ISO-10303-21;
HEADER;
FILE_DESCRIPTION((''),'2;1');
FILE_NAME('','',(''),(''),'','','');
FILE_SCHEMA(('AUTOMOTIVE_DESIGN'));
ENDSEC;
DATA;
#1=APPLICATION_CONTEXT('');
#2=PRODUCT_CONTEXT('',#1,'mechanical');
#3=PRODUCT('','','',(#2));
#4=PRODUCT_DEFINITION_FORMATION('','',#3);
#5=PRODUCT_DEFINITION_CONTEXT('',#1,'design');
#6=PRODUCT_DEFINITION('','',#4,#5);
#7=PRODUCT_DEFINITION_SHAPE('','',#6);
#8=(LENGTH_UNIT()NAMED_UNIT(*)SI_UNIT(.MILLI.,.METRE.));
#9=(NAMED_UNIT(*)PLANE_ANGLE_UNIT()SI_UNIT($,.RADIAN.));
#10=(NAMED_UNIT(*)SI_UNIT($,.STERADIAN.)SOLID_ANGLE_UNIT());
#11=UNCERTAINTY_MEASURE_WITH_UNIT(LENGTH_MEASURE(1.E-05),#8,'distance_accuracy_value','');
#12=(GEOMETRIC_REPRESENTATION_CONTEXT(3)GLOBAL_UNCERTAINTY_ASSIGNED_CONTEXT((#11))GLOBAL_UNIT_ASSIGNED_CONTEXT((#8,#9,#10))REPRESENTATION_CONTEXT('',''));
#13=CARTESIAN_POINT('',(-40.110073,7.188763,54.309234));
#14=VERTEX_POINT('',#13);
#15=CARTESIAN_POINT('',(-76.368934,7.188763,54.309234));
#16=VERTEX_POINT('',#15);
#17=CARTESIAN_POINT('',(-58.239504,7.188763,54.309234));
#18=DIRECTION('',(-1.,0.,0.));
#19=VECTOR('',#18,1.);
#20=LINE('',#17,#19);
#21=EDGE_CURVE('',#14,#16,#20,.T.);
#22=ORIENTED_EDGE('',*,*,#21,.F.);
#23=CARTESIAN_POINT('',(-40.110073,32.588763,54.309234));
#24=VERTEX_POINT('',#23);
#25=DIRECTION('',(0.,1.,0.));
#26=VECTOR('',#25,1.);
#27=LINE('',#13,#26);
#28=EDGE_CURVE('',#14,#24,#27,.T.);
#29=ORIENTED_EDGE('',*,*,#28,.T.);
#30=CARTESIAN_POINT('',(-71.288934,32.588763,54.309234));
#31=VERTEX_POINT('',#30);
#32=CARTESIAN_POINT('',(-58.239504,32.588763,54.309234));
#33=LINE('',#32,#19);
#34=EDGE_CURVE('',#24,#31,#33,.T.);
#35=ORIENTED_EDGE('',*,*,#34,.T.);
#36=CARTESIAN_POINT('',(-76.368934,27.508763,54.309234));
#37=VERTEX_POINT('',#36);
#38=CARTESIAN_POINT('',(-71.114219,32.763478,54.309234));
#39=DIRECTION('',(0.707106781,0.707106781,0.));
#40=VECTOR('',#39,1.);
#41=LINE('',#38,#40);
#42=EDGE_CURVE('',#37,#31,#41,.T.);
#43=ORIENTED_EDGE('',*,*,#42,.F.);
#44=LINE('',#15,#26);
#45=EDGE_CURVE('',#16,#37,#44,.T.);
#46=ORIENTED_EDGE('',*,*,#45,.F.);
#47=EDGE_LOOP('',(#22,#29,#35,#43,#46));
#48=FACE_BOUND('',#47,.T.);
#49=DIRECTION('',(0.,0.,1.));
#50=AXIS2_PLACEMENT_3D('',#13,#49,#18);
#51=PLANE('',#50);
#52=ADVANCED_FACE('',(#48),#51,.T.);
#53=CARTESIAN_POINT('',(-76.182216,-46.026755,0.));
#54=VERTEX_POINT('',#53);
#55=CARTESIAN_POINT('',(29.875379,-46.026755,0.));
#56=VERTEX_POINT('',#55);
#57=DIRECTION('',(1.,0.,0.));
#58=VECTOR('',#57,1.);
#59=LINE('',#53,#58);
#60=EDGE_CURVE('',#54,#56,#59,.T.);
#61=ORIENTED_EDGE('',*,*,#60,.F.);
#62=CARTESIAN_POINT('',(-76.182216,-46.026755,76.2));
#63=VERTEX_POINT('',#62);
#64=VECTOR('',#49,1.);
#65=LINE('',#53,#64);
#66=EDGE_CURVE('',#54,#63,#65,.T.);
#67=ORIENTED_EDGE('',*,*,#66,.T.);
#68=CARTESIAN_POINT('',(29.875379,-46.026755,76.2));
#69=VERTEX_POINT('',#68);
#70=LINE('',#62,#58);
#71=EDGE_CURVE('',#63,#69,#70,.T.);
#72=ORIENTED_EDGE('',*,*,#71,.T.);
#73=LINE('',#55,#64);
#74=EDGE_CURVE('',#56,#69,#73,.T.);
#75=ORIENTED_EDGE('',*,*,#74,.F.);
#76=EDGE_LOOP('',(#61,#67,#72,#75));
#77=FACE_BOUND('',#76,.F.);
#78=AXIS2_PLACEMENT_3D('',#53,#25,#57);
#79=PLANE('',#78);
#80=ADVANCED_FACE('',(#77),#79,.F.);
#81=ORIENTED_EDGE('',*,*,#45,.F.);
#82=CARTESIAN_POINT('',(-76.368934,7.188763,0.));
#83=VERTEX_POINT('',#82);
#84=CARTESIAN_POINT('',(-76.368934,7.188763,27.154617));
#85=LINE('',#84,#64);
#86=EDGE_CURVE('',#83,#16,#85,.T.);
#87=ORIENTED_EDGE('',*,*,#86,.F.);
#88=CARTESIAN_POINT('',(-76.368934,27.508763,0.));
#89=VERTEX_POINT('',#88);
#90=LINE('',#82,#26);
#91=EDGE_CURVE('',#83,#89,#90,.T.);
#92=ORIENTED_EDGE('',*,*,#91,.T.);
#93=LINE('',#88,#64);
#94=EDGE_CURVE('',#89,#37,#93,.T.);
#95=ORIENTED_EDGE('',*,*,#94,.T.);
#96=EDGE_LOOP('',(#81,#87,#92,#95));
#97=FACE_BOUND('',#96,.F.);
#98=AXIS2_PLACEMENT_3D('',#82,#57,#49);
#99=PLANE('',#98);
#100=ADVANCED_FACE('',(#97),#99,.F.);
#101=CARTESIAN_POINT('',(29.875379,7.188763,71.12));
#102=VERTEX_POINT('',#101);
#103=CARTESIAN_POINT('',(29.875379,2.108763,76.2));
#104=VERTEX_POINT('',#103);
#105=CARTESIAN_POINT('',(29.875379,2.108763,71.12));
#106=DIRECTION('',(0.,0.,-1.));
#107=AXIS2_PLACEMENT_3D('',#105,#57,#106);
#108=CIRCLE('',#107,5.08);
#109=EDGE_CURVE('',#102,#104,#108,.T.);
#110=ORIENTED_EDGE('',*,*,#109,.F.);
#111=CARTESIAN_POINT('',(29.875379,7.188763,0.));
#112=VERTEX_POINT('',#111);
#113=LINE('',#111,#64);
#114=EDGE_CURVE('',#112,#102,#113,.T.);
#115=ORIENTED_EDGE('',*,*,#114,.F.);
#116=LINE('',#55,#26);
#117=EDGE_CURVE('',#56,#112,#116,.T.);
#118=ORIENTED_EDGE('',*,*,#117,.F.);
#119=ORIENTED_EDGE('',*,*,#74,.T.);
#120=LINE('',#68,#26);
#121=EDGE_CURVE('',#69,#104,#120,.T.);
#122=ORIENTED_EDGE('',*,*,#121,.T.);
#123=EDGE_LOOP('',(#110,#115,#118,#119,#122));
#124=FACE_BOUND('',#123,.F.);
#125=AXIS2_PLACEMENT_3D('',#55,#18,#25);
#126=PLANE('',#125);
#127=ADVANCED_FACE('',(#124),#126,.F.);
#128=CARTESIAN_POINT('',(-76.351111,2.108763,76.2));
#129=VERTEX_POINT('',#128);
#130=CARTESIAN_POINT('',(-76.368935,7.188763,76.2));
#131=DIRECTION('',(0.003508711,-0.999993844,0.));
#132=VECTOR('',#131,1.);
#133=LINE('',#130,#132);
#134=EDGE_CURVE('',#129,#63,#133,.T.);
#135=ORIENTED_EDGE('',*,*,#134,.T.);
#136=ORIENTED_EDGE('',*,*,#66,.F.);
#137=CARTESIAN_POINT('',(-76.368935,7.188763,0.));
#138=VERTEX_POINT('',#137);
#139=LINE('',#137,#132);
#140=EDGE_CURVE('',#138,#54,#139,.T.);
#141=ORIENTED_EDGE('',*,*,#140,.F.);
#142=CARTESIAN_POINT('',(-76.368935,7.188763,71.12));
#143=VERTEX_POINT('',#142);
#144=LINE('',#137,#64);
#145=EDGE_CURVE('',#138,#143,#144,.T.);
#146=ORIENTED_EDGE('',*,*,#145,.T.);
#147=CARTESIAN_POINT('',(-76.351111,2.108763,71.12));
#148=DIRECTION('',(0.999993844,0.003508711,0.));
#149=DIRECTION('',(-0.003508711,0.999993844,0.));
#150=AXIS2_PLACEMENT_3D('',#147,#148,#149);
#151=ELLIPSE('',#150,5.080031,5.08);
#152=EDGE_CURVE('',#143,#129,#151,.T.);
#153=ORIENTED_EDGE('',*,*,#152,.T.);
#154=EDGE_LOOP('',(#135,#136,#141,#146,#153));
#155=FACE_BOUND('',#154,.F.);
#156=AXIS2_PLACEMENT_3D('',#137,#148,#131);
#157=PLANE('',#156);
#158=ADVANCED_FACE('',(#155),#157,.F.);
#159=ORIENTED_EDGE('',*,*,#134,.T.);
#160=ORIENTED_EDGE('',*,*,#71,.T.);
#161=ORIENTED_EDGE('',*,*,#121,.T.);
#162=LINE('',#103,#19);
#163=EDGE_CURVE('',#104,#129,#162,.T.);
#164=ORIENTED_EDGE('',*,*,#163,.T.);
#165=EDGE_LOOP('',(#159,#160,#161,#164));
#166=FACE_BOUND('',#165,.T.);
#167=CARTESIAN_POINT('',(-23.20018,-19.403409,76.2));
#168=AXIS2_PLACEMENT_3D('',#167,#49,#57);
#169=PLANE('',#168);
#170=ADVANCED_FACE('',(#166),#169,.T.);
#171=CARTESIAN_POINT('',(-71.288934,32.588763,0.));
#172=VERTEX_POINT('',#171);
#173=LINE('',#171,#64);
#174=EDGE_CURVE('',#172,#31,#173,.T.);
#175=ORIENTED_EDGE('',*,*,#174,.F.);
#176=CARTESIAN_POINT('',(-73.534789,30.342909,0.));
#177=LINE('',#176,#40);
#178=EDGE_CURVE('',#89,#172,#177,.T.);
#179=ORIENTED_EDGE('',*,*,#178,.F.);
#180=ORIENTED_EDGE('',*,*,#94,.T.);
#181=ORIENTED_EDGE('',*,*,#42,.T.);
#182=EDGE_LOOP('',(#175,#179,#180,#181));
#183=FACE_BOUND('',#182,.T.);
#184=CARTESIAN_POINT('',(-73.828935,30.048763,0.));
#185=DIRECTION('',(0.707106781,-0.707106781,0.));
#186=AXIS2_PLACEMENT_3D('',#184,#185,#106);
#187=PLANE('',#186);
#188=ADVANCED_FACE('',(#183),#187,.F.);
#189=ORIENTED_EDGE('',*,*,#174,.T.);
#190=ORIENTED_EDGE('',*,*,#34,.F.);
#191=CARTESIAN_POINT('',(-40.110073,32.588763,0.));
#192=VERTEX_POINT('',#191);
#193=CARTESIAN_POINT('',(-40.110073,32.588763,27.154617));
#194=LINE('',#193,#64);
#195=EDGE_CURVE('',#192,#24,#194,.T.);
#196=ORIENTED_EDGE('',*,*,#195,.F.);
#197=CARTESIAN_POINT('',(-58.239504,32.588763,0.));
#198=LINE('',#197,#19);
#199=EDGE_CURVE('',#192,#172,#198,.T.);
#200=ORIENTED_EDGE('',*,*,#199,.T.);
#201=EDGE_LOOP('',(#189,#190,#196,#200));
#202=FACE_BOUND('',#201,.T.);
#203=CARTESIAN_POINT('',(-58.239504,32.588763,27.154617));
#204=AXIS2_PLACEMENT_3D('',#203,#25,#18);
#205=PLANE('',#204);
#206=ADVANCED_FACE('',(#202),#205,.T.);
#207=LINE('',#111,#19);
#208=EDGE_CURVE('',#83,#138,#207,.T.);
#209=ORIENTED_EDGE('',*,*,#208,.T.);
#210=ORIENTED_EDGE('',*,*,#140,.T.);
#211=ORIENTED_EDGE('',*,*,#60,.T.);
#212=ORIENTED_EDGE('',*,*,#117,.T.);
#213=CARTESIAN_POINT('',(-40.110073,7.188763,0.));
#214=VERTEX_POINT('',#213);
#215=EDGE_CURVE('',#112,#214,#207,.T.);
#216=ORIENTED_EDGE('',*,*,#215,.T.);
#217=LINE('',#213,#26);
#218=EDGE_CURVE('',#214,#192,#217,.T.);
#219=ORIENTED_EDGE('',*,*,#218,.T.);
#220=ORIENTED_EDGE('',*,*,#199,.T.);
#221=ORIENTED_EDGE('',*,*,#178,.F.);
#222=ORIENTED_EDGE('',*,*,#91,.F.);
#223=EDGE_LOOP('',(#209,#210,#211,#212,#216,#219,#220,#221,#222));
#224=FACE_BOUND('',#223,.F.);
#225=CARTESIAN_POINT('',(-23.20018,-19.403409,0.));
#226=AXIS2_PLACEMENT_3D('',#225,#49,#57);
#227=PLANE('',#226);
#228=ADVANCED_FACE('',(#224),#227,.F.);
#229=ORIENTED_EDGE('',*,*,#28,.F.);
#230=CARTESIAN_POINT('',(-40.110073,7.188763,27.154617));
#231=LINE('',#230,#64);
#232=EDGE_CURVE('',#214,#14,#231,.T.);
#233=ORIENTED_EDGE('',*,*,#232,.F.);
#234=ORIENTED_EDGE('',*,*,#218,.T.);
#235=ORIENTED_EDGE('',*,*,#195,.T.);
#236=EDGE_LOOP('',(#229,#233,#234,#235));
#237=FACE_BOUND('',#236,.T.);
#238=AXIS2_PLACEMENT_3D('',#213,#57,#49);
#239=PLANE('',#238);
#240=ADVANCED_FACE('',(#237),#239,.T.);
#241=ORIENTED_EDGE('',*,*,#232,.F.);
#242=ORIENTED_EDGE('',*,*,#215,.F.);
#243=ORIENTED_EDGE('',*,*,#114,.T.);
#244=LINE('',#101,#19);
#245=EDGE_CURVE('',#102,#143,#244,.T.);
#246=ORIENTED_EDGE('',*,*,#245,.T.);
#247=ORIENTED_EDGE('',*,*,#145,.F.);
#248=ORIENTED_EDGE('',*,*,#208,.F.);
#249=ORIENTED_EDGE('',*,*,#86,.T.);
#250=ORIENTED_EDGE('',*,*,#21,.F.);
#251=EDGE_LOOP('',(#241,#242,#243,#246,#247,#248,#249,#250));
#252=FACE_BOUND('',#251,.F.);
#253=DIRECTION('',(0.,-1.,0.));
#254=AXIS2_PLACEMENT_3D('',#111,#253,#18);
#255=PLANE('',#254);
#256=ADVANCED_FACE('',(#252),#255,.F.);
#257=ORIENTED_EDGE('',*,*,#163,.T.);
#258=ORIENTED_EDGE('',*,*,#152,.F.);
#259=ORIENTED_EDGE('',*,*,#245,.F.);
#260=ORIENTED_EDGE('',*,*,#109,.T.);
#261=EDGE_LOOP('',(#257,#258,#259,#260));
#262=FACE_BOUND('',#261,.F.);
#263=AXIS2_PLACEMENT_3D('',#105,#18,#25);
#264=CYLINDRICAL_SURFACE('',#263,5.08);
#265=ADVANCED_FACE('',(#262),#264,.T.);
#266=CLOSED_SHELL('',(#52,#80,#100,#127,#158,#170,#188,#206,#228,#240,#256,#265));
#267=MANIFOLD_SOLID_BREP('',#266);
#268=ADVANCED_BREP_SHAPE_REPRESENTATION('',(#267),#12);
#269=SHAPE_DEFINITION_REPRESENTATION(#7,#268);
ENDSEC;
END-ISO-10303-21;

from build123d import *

# Parameters (mm, degrees)
F1_DEPTH = 76.2
F2_W     = 36.258861
F2_H     = 54.309234
F3_DEPTH = 25.4
F4_SIZE  = 5.08
F5_R     = 5.08


with BuildPart() as f1:
    # F0 (on Top) → F1 (new body)
    with BuildSketch(Plane.XY):
        Polygon((29.875379, 7.188763), (-76.368935, 7.188763), (-76.182216, -46.026755), (29.875379, -46.026755), align=None)
    extrude(amount=F1_DEPTH)

    # F2 (on face) → F3 (join)
    with BuildSketch(Plane(origin=(0, 7.188763, 0), x_dir=(-1, 0, 0), z_dir=(0, 1, 0))):
        with Locations((58.239504, 27.154617)):
            Rectangle(F2_W, F2_H)
    extrude(amount=F3_DEPTH)

    # F4
    f4_edges = [f1.edges().sort_by_distance(p)[0] for p in [
        (-76.368935, 32.588763, 27.154617),
    ]]
    chamfer(f4_edges, length=F4_SIZE)

    # F5
    f5_edges = [f1.edges().sort_by_distance(p)[0] for p in [
        (-23.246778, 7.188763, 76.2),
    ]]
    fillet(f5_edges, radius=F5_R)


solid = f1.part
